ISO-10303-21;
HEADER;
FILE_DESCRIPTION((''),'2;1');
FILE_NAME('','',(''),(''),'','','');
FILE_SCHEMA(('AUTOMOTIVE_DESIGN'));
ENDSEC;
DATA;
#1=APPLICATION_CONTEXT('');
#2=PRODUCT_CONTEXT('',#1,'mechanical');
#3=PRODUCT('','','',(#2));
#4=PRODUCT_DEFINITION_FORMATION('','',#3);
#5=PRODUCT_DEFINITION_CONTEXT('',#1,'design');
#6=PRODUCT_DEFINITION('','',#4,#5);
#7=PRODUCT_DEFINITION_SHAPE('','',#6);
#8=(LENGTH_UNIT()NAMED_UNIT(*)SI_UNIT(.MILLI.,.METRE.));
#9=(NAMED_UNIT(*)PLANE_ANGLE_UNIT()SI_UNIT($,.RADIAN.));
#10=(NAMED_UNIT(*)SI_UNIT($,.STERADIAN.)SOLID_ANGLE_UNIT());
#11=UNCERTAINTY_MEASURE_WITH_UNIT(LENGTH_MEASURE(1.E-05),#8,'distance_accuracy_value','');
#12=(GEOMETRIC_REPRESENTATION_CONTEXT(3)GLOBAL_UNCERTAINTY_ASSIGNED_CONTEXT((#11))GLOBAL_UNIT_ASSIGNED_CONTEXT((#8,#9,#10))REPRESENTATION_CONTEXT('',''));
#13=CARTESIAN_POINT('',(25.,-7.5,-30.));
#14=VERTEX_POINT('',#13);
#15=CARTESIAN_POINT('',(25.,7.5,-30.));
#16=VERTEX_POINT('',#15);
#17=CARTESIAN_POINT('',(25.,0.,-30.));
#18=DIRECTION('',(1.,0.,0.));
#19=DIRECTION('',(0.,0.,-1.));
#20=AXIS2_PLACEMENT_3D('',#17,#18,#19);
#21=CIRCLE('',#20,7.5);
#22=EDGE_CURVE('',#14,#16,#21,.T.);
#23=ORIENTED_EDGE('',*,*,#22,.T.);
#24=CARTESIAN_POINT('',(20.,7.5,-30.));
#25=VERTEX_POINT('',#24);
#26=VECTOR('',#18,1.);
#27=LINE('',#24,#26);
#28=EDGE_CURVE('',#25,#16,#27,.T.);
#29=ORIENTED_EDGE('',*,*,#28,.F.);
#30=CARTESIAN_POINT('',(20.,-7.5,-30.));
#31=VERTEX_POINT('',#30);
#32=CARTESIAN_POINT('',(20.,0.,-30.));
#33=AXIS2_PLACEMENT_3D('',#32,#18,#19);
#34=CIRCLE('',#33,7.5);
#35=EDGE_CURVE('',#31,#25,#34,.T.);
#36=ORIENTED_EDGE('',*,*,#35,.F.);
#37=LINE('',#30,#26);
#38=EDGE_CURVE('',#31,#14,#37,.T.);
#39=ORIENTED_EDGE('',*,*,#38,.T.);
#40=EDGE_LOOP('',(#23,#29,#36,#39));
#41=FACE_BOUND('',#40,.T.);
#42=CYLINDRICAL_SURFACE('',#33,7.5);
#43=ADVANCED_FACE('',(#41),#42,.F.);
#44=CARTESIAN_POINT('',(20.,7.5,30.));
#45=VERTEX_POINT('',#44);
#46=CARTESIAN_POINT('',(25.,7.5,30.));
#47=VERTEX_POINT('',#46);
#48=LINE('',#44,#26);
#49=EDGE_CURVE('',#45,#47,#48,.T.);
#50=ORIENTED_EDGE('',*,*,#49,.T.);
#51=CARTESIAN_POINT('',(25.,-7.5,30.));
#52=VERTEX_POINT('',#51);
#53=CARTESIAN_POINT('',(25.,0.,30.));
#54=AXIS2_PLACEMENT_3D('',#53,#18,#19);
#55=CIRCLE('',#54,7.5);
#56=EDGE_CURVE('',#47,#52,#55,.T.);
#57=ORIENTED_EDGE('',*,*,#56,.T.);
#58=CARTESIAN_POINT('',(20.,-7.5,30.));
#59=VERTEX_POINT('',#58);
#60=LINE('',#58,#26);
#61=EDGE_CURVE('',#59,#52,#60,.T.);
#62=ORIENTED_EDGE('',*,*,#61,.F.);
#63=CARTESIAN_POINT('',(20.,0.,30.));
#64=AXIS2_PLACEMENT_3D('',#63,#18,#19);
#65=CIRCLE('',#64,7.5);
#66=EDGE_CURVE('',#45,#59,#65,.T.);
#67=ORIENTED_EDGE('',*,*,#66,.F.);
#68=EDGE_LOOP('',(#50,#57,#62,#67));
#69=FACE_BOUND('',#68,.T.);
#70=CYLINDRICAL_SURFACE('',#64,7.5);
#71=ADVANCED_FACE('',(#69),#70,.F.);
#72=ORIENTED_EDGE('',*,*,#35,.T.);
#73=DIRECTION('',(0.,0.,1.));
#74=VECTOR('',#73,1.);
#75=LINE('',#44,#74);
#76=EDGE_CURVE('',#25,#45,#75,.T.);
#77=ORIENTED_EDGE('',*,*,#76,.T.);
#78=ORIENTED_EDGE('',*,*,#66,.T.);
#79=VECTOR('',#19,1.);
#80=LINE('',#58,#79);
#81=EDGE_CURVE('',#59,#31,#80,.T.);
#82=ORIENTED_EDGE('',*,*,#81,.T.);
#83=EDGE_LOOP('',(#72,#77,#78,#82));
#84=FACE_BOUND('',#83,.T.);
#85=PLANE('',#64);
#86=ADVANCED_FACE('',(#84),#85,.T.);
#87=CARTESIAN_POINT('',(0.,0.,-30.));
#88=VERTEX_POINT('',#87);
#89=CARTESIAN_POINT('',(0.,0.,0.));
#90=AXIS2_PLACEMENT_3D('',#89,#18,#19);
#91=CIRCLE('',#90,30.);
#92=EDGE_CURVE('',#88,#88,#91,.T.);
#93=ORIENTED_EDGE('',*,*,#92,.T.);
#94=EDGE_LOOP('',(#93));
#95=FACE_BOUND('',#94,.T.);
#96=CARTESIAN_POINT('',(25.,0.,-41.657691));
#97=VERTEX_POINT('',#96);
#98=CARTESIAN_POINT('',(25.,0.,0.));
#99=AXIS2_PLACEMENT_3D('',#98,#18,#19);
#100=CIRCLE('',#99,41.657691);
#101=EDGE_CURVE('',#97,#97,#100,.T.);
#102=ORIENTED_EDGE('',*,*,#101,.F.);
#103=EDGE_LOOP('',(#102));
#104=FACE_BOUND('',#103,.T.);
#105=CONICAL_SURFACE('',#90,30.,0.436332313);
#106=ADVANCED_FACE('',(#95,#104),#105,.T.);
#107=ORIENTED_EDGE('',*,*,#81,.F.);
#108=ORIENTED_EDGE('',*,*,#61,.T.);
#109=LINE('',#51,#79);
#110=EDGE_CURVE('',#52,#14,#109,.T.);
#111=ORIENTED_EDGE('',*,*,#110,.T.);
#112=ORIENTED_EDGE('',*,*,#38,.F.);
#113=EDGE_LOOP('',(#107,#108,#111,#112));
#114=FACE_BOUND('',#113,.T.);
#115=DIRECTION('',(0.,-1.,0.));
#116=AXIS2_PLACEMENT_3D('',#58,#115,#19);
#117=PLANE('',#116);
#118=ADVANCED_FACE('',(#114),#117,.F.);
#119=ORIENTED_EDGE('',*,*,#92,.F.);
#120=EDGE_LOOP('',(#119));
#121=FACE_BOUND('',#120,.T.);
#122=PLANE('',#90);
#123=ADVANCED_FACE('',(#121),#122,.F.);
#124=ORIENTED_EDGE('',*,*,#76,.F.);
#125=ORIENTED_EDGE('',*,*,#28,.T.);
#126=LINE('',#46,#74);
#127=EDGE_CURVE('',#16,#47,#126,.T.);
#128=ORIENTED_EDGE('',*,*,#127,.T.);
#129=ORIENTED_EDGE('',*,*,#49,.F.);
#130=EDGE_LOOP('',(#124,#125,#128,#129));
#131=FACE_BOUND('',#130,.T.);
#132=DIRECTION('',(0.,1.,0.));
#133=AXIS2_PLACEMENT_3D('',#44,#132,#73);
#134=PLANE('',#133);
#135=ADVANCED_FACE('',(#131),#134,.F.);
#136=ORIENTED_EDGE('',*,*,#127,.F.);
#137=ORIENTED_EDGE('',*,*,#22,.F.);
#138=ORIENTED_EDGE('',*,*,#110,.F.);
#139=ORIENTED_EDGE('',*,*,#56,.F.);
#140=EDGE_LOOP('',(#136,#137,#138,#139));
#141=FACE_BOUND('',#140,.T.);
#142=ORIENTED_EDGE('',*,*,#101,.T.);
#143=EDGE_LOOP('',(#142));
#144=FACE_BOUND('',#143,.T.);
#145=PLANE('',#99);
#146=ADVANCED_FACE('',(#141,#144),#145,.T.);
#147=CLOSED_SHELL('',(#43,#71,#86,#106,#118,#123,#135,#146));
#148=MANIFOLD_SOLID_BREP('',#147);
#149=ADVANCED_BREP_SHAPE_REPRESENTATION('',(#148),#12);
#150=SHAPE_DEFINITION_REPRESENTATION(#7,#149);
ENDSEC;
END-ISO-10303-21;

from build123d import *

# Parameters (mm, degrees)
SKETCH1_R           = 30
BOSS_EXTRUDE1_DEPTH = 25
BOSS_EXTRUDE1_DRAFT = -25
CUT_EXTRUDE1_DEPTH  = 5


with BuildPart() as part:
    # Sketch1 → Boss-Extrude1 (with draft: the straight prism first)
    with BuildSketch(Plane(origin=(0, 0, 0), x_dir=(0, 0, -1), z_dir=(1, 0, 0))):
        Circle(SKETCH1_R)
    extrude(amount=BOSS_EXTRUDE1_DEPTH)
    # Boss-Extrude1: the draft: its side faces are tilted about the plane it starts from
    boss_extrude1_sides = [part.faces().sort_by_distance(p)[0] for p in [
        (12.5, 0, 30),
    ]]
    draft(boss_extrude1_sides, Plane(origin=(0, 0, 0), x_dir=(0, 0, -1), z_dir=(1, 0, 0)), BOSS_EXTRUDE1_DRAFT)

    # Sketch2 → Cut-Extrude1 (cut)
    with BuildSketch(Plane(origin=(25, 0, 0), x_dir=(0, 0, -1), z_dir=(1, 0, 0))):
        with BuildLine():
            Line((-30, 7.5), (30, 7.5))
            ThreePointArc((30, 7.5), (37.5, 0), (30, -7.5))
            Line((30, -7.5), (-30, -7.5))
            ThreePointArc((-30, -7.5), (-37.5, 0), (-30, 7.5))
        make_face()
    extrude(amount=-CUT_EXTRUDE1_DEPTH, mode=Mode.SUBTRACT)


solid = part.part
